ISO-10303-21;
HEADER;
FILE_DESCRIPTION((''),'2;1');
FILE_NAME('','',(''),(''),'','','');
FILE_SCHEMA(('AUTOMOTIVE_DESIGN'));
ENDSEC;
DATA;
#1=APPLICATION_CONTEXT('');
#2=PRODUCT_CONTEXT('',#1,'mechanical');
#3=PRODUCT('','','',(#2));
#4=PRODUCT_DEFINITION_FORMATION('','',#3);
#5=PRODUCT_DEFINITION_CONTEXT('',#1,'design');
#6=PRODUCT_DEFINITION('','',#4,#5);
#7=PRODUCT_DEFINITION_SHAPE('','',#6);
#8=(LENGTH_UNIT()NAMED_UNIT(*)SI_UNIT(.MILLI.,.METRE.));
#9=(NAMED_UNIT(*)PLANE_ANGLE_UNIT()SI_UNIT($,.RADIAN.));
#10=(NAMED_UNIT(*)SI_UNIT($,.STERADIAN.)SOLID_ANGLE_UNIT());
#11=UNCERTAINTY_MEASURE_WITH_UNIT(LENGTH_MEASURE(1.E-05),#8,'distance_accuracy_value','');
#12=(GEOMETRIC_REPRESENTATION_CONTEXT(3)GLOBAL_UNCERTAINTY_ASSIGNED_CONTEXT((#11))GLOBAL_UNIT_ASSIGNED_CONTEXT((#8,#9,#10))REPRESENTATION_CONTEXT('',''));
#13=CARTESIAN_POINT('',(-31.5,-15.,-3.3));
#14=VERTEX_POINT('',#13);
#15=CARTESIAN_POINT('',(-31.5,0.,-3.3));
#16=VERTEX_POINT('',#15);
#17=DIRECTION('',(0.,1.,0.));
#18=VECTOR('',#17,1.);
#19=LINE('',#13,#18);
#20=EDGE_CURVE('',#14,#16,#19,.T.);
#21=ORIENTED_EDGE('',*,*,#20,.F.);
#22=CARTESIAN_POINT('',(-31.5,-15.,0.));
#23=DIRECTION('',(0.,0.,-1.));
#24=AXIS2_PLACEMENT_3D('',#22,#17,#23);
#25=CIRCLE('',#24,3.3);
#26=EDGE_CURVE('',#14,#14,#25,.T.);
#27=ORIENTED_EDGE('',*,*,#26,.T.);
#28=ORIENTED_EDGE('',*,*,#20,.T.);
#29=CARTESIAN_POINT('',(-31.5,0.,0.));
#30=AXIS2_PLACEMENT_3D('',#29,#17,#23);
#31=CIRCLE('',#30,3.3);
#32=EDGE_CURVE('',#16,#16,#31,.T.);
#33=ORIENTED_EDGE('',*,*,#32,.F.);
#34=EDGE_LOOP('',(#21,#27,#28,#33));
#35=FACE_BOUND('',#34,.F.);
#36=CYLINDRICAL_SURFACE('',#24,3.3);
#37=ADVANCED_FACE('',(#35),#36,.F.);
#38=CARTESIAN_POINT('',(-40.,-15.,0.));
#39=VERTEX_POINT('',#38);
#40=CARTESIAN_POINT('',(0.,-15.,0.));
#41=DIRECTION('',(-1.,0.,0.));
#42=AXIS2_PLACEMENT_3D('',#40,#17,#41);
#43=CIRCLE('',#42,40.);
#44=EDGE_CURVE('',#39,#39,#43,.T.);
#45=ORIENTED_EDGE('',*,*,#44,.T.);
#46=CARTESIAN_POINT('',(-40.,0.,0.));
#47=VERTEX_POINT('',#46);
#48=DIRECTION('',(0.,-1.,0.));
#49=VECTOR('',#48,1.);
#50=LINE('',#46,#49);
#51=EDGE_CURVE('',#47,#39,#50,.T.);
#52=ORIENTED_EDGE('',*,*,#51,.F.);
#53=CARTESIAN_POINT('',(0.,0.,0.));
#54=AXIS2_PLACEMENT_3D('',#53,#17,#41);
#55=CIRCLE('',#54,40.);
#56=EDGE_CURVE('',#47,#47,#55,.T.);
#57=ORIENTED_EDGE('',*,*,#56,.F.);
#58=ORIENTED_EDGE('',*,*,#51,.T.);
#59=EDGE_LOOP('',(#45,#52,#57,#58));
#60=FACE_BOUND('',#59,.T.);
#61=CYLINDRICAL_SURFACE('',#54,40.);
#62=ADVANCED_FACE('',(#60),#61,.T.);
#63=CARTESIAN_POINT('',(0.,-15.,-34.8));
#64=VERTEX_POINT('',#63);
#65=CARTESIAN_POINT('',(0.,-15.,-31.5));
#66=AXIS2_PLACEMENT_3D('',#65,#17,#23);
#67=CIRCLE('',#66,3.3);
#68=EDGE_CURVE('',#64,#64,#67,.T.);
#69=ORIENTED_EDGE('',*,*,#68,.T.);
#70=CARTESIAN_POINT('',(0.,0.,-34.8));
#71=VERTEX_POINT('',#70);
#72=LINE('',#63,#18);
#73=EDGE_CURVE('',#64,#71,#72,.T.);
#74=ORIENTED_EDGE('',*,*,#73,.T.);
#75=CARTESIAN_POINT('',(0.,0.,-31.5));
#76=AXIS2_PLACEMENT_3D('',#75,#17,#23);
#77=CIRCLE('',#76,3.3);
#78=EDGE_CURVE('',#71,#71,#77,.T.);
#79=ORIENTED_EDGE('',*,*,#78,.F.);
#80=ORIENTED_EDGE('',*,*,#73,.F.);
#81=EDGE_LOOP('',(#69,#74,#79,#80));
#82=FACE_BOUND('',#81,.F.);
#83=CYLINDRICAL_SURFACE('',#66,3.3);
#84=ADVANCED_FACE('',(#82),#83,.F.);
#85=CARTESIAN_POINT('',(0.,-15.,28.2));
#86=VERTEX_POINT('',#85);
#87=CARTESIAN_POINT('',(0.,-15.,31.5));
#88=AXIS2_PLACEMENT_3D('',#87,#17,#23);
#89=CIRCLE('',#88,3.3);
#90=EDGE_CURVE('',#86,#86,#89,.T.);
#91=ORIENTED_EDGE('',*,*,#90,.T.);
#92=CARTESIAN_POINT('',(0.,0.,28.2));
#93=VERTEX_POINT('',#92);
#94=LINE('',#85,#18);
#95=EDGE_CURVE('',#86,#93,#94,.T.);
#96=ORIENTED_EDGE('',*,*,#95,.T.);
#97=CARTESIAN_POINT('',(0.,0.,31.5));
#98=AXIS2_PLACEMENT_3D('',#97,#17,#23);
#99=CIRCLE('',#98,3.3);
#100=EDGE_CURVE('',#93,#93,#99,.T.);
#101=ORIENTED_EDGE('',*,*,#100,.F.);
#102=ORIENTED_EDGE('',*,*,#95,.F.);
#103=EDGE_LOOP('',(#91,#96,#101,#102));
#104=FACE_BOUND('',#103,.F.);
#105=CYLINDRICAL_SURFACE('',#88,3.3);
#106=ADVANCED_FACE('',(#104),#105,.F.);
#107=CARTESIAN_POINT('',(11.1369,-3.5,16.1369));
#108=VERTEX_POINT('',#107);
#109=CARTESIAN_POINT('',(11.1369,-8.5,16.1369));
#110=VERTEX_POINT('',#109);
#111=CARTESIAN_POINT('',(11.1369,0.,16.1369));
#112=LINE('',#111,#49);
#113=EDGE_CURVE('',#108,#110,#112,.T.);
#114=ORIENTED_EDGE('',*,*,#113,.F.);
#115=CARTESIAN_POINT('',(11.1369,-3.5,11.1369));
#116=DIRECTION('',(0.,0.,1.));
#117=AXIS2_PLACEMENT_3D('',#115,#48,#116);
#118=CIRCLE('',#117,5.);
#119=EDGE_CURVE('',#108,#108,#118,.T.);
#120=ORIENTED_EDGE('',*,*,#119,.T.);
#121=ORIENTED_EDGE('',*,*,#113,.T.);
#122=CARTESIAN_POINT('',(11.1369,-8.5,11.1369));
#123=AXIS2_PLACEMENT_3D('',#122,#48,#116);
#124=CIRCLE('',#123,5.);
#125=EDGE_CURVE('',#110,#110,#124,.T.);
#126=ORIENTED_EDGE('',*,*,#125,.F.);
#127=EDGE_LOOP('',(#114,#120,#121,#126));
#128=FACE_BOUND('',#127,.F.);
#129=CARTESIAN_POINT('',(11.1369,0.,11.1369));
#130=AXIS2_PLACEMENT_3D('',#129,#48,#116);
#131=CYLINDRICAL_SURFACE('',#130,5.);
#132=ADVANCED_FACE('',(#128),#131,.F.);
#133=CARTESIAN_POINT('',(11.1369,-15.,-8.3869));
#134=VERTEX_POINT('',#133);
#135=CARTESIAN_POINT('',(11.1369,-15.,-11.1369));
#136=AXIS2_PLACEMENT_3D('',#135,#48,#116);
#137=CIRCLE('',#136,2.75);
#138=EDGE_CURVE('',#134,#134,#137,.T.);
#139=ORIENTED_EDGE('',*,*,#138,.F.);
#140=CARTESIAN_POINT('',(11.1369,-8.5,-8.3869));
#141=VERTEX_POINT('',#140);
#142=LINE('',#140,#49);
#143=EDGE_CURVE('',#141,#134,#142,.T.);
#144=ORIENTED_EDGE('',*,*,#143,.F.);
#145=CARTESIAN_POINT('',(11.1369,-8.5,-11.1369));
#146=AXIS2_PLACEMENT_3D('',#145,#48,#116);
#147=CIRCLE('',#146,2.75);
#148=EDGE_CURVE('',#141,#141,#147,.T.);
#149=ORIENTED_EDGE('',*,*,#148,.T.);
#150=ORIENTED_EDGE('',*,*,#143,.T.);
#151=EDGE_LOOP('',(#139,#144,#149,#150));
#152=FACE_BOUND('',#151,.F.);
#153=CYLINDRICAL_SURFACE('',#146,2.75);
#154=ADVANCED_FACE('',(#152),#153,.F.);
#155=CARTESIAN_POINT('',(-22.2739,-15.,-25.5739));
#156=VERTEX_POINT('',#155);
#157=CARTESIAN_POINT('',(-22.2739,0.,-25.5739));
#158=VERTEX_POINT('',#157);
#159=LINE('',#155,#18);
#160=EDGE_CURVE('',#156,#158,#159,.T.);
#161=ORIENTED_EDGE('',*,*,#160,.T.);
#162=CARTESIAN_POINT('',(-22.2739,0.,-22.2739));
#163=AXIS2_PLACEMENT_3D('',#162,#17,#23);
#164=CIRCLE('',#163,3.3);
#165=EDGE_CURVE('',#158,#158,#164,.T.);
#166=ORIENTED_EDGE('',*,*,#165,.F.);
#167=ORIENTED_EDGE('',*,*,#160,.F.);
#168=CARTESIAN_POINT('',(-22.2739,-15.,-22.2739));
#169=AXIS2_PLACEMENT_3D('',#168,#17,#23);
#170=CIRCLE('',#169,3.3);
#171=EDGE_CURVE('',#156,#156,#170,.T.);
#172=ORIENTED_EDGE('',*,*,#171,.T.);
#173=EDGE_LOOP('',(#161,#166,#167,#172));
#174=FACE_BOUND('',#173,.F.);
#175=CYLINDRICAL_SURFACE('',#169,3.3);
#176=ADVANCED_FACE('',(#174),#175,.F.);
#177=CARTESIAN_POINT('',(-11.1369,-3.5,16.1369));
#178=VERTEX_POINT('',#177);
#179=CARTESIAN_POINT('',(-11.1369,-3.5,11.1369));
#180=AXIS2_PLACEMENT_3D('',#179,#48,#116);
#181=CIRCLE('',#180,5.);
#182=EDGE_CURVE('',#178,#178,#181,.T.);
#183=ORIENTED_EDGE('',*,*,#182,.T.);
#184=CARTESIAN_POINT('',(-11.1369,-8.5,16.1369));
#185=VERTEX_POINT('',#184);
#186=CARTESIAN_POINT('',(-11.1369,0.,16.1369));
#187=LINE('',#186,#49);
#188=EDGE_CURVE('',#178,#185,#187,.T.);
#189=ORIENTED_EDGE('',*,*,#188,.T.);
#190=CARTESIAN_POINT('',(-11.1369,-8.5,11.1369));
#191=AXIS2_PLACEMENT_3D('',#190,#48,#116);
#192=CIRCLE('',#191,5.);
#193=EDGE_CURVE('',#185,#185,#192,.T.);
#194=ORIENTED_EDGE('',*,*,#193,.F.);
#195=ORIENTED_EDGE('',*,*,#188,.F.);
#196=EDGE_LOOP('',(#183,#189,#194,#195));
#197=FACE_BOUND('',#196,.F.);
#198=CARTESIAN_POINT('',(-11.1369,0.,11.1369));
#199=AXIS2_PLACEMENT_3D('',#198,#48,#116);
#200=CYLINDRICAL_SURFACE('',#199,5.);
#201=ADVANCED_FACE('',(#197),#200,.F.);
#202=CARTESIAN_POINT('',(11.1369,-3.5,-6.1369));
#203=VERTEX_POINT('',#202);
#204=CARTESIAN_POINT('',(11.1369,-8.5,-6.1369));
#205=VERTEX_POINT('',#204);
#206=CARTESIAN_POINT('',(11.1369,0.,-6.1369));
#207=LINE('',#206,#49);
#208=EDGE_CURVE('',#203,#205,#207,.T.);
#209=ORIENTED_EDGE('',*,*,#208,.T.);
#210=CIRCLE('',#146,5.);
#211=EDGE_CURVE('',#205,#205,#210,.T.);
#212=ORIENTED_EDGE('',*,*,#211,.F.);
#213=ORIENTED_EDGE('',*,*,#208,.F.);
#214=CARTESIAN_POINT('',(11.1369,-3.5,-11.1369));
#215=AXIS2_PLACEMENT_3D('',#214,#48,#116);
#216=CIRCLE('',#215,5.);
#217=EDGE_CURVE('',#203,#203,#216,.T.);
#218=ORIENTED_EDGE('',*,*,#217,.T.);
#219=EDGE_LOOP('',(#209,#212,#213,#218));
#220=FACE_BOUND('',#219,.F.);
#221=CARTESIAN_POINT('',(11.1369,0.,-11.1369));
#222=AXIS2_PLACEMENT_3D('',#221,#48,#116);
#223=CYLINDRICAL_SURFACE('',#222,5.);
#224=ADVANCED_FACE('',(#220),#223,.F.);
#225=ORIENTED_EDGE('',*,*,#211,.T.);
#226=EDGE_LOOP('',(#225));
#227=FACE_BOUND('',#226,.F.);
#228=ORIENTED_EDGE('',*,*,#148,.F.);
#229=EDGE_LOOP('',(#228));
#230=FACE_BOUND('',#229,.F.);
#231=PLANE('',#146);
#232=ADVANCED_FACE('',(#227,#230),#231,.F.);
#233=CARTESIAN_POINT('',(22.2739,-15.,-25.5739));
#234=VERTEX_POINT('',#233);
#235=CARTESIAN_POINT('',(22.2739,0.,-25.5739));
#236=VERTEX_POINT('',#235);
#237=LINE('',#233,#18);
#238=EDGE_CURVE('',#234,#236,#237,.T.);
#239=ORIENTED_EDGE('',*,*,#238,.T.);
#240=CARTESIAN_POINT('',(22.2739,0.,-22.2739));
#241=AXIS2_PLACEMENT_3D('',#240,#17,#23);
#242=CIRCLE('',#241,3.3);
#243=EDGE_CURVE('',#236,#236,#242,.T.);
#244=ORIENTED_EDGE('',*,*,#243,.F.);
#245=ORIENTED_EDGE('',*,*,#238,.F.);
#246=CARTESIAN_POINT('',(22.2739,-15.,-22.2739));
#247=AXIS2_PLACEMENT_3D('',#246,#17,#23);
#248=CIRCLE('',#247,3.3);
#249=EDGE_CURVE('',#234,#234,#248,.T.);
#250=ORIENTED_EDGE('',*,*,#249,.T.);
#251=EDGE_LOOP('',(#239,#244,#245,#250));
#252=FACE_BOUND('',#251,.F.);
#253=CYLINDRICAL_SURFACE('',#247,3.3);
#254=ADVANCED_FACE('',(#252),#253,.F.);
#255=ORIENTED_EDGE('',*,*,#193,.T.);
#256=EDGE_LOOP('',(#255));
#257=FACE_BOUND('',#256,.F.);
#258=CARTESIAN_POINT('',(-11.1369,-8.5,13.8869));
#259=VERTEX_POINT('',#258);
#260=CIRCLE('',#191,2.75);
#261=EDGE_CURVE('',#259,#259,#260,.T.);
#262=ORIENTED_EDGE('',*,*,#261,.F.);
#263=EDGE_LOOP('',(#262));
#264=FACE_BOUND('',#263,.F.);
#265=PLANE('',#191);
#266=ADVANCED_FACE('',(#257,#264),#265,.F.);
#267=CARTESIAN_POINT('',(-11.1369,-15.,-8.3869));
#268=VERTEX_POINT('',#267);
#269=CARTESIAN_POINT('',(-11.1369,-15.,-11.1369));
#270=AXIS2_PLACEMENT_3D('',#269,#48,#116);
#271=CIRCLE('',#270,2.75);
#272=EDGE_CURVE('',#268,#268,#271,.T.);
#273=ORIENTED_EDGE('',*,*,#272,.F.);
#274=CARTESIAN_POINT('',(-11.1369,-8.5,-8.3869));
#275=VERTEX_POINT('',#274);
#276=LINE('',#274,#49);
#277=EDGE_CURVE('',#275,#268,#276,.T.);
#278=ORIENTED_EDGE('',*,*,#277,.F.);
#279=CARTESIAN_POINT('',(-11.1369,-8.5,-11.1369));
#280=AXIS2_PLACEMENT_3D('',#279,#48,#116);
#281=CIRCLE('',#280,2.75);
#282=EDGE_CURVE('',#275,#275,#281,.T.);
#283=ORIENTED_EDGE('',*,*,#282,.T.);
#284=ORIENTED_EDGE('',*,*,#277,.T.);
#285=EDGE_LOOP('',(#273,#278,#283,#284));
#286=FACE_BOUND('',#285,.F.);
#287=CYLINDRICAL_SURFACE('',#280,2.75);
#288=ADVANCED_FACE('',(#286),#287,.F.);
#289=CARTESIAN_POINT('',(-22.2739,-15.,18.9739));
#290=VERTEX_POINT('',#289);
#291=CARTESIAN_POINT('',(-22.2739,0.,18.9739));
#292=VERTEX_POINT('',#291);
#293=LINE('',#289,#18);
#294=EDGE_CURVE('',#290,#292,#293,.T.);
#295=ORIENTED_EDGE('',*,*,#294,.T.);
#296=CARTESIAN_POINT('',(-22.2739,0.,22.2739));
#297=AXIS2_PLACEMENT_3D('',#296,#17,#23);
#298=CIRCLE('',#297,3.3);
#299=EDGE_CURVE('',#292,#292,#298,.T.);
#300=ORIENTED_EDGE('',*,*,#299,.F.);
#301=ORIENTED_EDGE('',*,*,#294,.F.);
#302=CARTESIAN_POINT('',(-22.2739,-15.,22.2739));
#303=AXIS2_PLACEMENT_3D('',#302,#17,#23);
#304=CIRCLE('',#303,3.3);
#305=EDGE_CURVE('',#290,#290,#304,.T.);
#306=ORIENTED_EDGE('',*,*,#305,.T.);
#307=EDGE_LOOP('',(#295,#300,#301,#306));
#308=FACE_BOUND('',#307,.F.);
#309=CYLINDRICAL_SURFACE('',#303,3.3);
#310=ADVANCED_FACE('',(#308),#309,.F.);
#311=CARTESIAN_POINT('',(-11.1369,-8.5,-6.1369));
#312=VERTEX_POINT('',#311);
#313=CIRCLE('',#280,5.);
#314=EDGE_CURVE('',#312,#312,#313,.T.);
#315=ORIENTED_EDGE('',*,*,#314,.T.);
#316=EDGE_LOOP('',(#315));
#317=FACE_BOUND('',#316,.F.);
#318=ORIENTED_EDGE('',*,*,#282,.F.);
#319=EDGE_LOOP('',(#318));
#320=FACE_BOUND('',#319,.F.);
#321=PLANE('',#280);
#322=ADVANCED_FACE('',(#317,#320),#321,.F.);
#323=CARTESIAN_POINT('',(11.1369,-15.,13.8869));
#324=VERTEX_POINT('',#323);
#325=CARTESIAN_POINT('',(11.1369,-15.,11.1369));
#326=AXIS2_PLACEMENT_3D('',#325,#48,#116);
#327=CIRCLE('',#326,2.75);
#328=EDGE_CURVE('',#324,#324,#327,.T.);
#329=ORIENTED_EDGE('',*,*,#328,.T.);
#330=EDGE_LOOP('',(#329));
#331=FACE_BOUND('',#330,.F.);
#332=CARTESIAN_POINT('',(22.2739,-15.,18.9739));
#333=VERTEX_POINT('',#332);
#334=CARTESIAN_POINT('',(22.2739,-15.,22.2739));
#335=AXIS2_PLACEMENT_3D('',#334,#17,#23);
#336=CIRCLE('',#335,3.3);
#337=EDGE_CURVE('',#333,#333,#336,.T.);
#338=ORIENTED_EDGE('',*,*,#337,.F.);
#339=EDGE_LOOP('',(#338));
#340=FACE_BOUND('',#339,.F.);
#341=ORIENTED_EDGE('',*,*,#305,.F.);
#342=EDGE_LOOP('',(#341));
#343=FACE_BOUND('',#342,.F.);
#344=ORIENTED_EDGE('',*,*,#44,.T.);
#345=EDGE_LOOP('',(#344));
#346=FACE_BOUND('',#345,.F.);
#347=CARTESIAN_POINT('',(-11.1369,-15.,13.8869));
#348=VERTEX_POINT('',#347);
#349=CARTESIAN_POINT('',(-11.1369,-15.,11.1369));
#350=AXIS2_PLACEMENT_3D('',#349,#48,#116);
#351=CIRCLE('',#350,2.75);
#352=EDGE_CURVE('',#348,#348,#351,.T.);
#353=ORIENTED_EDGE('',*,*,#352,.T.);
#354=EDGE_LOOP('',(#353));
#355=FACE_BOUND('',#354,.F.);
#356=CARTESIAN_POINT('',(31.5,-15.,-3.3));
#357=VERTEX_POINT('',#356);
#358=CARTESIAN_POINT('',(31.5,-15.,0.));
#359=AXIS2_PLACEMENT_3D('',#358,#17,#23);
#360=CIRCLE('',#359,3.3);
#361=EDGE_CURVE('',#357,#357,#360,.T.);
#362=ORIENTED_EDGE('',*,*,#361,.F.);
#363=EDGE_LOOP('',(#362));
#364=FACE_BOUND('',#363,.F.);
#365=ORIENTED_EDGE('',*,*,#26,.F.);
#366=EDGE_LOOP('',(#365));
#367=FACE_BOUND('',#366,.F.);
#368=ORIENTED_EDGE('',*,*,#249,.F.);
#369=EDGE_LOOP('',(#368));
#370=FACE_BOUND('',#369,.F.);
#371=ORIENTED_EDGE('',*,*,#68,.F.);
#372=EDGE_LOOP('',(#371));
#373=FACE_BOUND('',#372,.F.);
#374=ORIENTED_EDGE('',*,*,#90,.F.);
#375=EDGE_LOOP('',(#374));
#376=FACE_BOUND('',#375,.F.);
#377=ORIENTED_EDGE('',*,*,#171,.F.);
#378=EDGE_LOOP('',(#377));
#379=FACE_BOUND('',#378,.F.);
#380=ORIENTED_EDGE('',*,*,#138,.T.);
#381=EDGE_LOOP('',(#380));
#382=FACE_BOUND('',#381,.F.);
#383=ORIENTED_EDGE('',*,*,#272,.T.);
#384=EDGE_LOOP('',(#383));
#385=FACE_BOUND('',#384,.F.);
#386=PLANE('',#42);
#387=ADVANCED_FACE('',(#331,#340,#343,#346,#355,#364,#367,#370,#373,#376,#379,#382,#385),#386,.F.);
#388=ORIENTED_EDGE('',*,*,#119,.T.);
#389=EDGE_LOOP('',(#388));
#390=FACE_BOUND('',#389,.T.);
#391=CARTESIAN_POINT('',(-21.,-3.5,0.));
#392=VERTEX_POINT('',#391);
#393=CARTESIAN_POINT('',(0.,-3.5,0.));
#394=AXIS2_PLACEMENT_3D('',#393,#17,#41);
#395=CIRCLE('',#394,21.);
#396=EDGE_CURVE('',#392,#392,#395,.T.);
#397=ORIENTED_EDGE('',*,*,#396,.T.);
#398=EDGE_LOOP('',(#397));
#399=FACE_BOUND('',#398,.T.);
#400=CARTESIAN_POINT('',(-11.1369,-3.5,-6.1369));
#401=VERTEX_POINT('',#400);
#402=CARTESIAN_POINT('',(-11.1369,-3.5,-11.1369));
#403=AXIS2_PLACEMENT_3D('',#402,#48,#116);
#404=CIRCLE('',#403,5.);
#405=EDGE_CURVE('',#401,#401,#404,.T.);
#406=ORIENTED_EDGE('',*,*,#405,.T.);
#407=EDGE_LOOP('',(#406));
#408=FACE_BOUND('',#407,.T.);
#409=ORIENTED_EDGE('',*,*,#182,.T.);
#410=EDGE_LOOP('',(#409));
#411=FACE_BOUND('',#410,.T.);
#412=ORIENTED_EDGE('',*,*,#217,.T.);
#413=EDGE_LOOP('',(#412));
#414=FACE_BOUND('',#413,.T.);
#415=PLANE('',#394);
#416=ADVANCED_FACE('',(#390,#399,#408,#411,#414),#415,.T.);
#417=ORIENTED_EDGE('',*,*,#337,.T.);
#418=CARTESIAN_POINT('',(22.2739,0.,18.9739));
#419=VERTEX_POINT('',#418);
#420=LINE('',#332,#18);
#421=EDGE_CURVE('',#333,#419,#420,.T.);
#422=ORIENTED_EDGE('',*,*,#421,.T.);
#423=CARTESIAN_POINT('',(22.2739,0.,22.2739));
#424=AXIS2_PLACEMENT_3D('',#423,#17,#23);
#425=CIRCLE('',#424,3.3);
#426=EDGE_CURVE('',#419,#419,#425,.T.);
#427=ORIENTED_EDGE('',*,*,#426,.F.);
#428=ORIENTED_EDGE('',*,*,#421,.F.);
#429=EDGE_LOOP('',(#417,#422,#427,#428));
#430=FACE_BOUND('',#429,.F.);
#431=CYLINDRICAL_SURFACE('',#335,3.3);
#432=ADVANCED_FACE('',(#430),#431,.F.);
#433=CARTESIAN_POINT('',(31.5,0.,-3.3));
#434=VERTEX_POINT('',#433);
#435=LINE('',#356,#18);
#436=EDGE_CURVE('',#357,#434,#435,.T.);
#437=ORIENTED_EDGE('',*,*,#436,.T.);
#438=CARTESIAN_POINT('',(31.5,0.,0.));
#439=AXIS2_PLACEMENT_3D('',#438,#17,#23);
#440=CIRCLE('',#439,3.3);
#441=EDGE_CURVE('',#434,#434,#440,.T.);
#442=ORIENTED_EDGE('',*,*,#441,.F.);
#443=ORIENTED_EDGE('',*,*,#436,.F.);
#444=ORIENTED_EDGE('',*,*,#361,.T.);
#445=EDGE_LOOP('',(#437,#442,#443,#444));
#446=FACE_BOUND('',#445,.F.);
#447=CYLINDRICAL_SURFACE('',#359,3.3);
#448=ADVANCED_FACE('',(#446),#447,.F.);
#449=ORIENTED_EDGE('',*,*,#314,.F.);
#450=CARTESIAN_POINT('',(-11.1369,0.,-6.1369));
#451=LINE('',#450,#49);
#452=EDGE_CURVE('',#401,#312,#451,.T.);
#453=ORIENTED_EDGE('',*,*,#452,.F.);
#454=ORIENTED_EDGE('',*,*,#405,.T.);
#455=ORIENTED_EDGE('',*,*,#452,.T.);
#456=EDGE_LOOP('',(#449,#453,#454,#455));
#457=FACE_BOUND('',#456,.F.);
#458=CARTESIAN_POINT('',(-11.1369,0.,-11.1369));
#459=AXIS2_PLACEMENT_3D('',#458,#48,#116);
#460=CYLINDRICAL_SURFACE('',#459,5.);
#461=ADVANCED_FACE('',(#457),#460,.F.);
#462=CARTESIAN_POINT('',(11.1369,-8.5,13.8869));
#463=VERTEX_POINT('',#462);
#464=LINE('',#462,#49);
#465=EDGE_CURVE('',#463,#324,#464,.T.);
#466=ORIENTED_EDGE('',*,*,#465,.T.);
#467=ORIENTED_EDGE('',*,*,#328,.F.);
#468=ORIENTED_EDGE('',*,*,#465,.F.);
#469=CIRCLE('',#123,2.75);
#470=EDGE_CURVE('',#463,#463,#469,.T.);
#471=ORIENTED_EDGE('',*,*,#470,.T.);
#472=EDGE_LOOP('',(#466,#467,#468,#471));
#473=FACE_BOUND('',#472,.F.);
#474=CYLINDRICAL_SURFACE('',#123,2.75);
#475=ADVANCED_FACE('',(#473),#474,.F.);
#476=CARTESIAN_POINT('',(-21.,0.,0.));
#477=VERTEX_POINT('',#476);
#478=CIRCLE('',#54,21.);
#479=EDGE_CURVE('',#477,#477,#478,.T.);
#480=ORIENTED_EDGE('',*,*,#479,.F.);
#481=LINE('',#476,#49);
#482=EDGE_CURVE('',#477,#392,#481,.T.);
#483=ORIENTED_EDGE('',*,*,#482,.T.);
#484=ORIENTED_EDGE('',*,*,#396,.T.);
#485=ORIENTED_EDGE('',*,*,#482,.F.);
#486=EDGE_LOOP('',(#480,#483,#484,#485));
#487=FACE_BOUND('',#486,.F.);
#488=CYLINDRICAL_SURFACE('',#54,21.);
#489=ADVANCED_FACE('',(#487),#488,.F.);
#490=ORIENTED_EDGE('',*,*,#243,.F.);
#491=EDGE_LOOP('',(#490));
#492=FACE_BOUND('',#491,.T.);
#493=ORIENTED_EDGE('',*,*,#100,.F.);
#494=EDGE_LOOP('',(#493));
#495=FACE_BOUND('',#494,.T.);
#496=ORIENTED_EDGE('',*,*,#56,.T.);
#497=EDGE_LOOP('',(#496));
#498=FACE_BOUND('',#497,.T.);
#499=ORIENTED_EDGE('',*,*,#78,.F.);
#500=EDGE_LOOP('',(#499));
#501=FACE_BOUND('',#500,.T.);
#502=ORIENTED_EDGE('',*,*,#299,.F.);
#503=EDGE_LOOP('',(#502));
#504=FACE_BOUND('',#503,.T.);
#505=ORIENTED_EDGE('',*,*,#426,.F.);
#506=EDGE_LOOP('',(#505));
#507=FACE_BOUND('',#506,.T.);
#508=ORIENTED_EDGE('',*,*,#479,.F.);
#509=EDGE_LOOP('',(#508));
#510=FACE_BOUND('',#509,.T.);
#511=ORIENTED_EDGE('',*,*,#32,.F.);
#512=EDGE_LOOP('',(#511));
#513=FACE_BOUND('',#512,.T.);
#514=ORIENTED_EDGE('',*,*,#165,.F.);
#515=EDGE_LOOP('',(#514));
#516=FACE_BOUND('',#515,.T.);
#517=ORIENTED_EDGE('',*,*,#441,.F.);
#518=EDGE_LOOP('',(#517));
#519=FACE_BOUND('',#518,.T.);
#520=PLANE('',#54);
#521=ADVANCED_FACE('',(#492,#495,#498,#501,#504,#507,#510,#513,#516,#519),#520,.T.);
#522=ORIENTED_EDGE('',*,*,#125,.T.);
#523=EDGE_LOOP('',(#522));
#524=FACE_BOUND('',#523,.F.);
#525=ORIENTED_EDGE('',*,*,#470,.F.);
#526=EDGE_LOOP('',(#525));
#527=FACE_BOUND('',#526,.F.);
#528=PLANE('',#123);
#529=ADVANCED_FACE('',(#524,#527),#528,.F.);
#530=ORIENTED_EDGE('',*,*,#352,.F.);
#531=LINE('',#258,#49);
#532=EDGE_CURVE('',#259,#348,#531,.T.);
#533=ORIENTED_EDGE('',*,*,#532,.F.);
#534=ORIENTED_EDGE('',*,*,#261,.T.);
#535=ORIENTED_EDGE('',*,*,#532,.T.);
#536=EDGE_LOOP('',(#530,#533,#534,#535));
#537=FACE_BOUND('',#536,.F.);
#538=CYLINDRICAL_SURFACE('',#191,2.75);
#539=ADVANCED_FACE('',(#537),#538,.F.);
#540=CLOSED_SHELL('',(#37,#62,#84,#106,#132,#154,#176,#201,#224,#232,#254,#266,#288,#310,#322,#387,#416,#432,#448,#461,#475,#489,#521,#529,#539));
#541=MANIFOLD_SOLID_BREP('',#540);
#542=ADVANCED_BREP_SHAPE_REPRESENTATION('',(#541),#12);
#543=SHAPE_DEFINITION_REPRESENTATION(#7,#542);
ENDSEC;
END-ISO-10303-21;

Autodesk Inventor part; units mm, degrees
ref_plane "YZ Plane" through (0, 0, 0) normal (1, 0, 0) x (0, 1, 0)
ref_plane "XZ Plane" through (0, 0, 0) normal (0, 1, 0) x (-1, 0, 0)
ref_plane "XY Plane" through (0, 0, 0) normal (0, 0, 1) x (1, 0, 0)
sketch "Sketch1" plane through (0, 0, 0) normal (0, 1, 0) x (-1, 0, 0)
  circle A0 centre (0, 0) radius 40
  circle A1 centre (0, 0) radius 21
  point P0 (11.1369, 11.1369)
  point P1 (-11.1369, 11.1369)
  point P2 (-11.1369, -11.1369)
  point P3 (11.1369, -11.1369)
  dimension "d0" = 80
  dimension "d2" = 15.75
  dimension "d5" = 360
  dimension "d16" = 42
extrude "Extrusion1" add sketch "Sketch1" against normal blind 15 contours A0 | A1
hole "Hole1" at (-11.1369, 0, 11.1369) at (11.1369, 0, 11.1369) at (11.1369, 0, -11.1369) at (-11.1369, 0, -11.1369) direction (0, -1, 0) diameter 5.5 end through all counterbore diameter 10 counterbore depth 8.5 clearance for "Socket Head Cap Screw" size "M5" standard "Ansi Metric M Profile"
extrude "Extrusion2" cut sketch "Sketch1" against normal blind 3.5 contours A1
sketch "Sketch2" plane through (0, -15, 0) normal (0, -1, 0) x (1, 0, 0)
  circle A0 centre (0, 0) radius 40 projected
  circle A1 centre (0, 0) radius 20
  point P0 (31.5, 0)
  point P1 (22.2739, 22.2739)
  point P2 (0, 31.5)
  point P3 (-22.2739, 22.2739)
  point P4 (-31.5, 0)
  point P5 (-22.2739, -22.2739)
  point P6 (0, -31.5)
  point P7 (22.2739, -22.2739)
  point P8 (23.097, 9.5671)
  dimension "d25" = 31.5
  dimension "d26" = 40
  dimension "d29" = 360
  dimension "d38" = 25
hole "Hole2" at (22.2739, -15, 22.2739) at (31.5, -15, 0) at (22.2739, -15, -22.2739) at (0, -15, -31.5) at (-22.2739, -15, -22.2739) at (-31.5, -15, 0) at (-22.2739, -15, 22.2739) at (0, -15, 31.5) direction (0, 1, 0) diameter 6.6 end through all clearance for "Hex Head Bolt" size "M6" standard "Ansi Metric M Profile"
properties part number "Plate"
